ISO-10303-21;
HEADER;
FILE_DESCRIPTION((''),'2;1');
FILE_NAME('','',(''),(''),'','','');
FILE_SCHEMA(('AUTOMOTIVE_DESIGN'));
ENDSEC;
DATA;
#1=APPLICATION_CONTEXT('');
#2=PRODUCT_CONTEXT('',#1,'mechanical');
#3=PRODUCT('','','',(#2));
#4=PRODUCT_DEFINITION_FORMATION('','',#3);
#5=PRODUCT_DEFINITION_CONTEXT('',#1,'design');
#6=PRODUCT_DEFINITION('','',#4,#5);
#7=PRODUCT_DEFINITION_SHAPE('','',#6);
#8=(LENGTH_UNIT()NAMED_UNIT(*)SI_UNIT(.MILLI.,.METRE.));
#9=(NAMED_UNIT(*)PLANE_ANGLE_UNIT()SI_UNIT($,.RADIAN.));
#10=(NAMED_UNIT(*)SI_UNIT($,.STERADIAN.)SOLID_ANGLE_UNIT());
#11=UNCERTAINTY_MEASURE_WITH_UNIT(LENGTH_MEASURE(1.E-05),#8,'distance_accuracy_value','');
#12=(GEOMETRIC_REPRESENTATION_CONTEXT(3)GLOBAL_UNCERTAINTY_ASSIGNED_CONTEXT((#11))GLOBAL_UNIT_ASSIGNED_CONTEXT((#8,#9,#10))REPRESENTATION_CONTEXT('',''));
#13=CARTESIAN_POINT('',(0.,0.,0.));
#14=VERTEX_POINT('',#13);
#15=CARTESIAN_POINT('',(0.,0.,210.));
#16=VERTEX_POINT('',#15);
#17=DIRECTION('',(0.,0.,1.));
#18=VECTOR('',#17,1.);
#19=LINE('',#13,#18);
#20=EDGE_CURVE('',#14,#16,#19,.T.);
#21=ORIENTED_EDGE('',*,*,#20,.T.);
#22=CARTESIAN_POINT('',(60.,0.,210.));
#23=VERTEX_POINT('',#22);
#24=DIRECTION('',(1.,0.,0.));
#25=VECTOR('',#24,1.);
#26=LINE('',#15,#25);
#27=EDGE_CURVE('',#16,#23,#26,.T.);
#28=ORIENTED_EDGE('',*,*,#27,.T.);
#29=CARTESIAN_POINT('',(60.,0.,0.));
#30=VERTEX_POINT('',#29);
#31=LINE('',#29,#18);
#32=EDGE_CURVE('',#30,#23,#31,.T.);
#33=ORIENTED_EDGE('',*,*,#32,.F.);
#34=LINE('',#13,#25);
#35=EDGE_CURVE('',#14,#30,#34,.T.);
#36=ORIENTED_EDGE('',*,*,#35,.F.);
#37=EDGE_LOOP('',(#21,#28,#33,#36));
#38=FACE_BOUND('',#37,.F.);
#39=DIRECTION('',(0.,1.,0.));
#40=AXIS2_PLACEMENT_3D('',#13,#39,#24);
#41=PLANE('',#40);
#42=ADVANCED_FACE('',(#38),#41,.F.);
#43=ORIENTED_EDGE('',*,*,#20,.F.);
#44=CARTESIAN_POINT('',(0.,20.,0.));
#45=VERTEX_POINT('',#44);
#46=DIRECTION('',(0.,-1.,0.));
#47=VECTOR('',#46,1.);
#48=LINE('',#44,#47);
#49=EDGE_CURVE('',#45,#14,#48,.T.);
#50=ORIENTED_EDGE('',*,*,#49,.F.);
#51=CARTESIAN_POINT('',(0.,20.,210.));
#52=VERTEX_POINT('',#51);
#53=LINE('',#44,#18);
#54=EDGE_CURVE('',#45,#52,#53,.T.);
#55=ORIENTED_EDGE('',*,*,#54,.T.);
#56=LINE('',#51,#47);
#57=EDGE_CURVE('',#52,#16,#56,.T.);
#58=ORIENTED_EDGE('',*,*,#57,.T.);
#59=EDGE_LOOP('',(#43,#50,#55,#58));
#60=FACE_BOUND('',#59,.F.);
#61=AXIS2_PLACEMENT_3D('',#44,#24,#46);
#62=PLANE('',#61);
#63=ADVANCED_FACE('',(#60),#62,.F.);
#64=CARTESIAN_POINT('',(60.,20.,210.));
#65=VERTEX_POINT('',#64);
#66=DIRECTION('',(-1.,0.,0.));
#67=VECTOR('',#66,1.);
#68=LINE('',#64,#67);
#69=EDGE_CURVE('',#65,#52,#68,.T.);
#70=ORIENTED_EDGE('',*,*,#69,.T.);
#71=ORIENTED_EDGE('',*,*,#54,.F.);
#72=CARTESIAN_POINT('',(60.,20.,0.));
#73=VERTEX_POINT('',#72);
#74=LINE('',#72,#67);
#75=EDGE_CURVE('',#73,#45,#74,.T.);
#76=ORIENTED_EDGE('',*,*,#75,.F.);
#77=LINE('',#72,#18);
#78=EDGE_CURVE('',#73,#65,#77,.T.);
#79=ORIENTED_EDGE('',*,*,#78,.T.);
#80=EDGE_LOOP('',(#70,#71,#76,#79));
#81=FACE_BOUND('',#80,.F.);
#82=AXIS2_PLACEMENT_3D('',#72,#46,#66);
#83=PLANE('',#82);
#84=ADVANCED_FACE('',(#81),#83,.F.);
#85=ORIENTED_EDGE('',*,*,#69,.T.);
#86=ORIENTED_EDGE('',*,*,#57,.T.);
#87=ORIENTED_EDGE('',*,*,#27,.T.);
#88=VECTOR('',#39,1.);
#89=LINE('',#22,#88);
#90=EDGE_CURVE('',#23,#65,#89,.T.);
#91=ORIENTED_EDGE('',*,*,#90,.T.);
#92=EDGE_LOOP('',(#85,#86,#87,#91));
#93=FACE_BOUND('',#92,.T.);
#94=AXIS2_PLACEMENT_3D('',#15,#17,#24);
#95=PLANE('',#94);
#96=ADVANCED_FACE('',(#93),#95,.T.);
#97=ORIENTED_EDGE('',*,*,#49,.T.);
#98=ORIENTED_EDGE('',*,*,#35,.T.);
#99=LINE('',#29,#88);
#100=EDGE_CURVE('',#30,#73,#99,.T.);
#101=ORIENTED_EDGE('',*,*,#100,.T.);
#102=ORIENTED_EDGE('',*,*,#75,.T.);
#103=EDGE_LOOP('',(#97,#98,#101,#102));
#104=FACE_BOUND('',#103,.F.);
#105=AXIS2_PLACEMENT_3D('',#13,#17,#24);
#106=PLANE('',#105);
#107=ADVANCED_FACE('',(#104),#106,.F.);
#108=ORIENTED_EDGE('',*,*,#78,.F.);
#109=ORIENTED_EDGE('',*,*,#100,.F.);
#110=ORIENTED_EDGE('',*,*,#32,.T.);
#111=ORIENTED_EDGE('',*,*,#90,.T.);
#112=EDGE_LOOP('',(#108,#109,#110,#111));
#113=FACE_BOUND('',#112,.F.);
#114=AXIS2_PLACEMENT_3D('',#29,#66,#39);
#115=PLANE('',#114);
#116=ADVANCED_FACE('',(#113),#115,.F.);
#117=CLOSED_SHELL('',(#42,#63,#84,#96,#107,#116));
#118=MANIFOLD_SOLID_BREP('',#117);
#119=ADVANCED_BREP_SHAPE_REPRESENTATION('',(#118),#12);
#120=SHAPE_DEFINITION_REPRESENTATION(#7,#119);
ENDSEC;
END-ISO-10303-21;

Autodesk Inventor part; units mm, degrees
ref_plane "YZ Plane" through (0, 0, 0) normal (1, 0, 0) x (0, 1, 0)
ref_plane "Начальная плоскость" through (0, 0, 0) normal (0, 0, 1) x (1, 0, 0)
ref_plane "Конечная плоскость" through (0, 0, 210) normal (0, 0, 1) x (1, 0, 0)
sketch "Эскиз" plane through (0, 0, 0) normal (0, 0, 1) x (1, 0, 0)
  line L0 (0, 0) -> (60, 0)
  line L1 (60, 0) -> (60, 20)
  line L2 (60, 20) -> (0, 20)
  line L3 (0, 20) -> (0, 0)
  point P0 (0, 0)
extrude "Тело" add sketch "Эскиз" along normal up to surface (210 mm away) from surface at 0
sketch "Эскиз6" plane through (0, 0, 0) normal (0, 0, 1) x (1, 0, 0)
  line L0 (0, 0) -> (10, 0)
ref_plane "РабПлоскость5" through (0, 0, 0) normal (0, -1, 0) x (1, 0, 0)
sketch "Эскиз7" plane through (0, 0, 0) normal (0, -1, 0) x (1, 0, 0)
  line L0 (-2, 0) -> (12, 0)
  line L1 (-2, 210) -> (12, 210)
  dimension "d17" = 210
equation "\"G_OFFSET_START\" = 0"
equation "\"G_OFFSET_END\" = 0"
properties part number "Планка 60х20" material "Береза"
